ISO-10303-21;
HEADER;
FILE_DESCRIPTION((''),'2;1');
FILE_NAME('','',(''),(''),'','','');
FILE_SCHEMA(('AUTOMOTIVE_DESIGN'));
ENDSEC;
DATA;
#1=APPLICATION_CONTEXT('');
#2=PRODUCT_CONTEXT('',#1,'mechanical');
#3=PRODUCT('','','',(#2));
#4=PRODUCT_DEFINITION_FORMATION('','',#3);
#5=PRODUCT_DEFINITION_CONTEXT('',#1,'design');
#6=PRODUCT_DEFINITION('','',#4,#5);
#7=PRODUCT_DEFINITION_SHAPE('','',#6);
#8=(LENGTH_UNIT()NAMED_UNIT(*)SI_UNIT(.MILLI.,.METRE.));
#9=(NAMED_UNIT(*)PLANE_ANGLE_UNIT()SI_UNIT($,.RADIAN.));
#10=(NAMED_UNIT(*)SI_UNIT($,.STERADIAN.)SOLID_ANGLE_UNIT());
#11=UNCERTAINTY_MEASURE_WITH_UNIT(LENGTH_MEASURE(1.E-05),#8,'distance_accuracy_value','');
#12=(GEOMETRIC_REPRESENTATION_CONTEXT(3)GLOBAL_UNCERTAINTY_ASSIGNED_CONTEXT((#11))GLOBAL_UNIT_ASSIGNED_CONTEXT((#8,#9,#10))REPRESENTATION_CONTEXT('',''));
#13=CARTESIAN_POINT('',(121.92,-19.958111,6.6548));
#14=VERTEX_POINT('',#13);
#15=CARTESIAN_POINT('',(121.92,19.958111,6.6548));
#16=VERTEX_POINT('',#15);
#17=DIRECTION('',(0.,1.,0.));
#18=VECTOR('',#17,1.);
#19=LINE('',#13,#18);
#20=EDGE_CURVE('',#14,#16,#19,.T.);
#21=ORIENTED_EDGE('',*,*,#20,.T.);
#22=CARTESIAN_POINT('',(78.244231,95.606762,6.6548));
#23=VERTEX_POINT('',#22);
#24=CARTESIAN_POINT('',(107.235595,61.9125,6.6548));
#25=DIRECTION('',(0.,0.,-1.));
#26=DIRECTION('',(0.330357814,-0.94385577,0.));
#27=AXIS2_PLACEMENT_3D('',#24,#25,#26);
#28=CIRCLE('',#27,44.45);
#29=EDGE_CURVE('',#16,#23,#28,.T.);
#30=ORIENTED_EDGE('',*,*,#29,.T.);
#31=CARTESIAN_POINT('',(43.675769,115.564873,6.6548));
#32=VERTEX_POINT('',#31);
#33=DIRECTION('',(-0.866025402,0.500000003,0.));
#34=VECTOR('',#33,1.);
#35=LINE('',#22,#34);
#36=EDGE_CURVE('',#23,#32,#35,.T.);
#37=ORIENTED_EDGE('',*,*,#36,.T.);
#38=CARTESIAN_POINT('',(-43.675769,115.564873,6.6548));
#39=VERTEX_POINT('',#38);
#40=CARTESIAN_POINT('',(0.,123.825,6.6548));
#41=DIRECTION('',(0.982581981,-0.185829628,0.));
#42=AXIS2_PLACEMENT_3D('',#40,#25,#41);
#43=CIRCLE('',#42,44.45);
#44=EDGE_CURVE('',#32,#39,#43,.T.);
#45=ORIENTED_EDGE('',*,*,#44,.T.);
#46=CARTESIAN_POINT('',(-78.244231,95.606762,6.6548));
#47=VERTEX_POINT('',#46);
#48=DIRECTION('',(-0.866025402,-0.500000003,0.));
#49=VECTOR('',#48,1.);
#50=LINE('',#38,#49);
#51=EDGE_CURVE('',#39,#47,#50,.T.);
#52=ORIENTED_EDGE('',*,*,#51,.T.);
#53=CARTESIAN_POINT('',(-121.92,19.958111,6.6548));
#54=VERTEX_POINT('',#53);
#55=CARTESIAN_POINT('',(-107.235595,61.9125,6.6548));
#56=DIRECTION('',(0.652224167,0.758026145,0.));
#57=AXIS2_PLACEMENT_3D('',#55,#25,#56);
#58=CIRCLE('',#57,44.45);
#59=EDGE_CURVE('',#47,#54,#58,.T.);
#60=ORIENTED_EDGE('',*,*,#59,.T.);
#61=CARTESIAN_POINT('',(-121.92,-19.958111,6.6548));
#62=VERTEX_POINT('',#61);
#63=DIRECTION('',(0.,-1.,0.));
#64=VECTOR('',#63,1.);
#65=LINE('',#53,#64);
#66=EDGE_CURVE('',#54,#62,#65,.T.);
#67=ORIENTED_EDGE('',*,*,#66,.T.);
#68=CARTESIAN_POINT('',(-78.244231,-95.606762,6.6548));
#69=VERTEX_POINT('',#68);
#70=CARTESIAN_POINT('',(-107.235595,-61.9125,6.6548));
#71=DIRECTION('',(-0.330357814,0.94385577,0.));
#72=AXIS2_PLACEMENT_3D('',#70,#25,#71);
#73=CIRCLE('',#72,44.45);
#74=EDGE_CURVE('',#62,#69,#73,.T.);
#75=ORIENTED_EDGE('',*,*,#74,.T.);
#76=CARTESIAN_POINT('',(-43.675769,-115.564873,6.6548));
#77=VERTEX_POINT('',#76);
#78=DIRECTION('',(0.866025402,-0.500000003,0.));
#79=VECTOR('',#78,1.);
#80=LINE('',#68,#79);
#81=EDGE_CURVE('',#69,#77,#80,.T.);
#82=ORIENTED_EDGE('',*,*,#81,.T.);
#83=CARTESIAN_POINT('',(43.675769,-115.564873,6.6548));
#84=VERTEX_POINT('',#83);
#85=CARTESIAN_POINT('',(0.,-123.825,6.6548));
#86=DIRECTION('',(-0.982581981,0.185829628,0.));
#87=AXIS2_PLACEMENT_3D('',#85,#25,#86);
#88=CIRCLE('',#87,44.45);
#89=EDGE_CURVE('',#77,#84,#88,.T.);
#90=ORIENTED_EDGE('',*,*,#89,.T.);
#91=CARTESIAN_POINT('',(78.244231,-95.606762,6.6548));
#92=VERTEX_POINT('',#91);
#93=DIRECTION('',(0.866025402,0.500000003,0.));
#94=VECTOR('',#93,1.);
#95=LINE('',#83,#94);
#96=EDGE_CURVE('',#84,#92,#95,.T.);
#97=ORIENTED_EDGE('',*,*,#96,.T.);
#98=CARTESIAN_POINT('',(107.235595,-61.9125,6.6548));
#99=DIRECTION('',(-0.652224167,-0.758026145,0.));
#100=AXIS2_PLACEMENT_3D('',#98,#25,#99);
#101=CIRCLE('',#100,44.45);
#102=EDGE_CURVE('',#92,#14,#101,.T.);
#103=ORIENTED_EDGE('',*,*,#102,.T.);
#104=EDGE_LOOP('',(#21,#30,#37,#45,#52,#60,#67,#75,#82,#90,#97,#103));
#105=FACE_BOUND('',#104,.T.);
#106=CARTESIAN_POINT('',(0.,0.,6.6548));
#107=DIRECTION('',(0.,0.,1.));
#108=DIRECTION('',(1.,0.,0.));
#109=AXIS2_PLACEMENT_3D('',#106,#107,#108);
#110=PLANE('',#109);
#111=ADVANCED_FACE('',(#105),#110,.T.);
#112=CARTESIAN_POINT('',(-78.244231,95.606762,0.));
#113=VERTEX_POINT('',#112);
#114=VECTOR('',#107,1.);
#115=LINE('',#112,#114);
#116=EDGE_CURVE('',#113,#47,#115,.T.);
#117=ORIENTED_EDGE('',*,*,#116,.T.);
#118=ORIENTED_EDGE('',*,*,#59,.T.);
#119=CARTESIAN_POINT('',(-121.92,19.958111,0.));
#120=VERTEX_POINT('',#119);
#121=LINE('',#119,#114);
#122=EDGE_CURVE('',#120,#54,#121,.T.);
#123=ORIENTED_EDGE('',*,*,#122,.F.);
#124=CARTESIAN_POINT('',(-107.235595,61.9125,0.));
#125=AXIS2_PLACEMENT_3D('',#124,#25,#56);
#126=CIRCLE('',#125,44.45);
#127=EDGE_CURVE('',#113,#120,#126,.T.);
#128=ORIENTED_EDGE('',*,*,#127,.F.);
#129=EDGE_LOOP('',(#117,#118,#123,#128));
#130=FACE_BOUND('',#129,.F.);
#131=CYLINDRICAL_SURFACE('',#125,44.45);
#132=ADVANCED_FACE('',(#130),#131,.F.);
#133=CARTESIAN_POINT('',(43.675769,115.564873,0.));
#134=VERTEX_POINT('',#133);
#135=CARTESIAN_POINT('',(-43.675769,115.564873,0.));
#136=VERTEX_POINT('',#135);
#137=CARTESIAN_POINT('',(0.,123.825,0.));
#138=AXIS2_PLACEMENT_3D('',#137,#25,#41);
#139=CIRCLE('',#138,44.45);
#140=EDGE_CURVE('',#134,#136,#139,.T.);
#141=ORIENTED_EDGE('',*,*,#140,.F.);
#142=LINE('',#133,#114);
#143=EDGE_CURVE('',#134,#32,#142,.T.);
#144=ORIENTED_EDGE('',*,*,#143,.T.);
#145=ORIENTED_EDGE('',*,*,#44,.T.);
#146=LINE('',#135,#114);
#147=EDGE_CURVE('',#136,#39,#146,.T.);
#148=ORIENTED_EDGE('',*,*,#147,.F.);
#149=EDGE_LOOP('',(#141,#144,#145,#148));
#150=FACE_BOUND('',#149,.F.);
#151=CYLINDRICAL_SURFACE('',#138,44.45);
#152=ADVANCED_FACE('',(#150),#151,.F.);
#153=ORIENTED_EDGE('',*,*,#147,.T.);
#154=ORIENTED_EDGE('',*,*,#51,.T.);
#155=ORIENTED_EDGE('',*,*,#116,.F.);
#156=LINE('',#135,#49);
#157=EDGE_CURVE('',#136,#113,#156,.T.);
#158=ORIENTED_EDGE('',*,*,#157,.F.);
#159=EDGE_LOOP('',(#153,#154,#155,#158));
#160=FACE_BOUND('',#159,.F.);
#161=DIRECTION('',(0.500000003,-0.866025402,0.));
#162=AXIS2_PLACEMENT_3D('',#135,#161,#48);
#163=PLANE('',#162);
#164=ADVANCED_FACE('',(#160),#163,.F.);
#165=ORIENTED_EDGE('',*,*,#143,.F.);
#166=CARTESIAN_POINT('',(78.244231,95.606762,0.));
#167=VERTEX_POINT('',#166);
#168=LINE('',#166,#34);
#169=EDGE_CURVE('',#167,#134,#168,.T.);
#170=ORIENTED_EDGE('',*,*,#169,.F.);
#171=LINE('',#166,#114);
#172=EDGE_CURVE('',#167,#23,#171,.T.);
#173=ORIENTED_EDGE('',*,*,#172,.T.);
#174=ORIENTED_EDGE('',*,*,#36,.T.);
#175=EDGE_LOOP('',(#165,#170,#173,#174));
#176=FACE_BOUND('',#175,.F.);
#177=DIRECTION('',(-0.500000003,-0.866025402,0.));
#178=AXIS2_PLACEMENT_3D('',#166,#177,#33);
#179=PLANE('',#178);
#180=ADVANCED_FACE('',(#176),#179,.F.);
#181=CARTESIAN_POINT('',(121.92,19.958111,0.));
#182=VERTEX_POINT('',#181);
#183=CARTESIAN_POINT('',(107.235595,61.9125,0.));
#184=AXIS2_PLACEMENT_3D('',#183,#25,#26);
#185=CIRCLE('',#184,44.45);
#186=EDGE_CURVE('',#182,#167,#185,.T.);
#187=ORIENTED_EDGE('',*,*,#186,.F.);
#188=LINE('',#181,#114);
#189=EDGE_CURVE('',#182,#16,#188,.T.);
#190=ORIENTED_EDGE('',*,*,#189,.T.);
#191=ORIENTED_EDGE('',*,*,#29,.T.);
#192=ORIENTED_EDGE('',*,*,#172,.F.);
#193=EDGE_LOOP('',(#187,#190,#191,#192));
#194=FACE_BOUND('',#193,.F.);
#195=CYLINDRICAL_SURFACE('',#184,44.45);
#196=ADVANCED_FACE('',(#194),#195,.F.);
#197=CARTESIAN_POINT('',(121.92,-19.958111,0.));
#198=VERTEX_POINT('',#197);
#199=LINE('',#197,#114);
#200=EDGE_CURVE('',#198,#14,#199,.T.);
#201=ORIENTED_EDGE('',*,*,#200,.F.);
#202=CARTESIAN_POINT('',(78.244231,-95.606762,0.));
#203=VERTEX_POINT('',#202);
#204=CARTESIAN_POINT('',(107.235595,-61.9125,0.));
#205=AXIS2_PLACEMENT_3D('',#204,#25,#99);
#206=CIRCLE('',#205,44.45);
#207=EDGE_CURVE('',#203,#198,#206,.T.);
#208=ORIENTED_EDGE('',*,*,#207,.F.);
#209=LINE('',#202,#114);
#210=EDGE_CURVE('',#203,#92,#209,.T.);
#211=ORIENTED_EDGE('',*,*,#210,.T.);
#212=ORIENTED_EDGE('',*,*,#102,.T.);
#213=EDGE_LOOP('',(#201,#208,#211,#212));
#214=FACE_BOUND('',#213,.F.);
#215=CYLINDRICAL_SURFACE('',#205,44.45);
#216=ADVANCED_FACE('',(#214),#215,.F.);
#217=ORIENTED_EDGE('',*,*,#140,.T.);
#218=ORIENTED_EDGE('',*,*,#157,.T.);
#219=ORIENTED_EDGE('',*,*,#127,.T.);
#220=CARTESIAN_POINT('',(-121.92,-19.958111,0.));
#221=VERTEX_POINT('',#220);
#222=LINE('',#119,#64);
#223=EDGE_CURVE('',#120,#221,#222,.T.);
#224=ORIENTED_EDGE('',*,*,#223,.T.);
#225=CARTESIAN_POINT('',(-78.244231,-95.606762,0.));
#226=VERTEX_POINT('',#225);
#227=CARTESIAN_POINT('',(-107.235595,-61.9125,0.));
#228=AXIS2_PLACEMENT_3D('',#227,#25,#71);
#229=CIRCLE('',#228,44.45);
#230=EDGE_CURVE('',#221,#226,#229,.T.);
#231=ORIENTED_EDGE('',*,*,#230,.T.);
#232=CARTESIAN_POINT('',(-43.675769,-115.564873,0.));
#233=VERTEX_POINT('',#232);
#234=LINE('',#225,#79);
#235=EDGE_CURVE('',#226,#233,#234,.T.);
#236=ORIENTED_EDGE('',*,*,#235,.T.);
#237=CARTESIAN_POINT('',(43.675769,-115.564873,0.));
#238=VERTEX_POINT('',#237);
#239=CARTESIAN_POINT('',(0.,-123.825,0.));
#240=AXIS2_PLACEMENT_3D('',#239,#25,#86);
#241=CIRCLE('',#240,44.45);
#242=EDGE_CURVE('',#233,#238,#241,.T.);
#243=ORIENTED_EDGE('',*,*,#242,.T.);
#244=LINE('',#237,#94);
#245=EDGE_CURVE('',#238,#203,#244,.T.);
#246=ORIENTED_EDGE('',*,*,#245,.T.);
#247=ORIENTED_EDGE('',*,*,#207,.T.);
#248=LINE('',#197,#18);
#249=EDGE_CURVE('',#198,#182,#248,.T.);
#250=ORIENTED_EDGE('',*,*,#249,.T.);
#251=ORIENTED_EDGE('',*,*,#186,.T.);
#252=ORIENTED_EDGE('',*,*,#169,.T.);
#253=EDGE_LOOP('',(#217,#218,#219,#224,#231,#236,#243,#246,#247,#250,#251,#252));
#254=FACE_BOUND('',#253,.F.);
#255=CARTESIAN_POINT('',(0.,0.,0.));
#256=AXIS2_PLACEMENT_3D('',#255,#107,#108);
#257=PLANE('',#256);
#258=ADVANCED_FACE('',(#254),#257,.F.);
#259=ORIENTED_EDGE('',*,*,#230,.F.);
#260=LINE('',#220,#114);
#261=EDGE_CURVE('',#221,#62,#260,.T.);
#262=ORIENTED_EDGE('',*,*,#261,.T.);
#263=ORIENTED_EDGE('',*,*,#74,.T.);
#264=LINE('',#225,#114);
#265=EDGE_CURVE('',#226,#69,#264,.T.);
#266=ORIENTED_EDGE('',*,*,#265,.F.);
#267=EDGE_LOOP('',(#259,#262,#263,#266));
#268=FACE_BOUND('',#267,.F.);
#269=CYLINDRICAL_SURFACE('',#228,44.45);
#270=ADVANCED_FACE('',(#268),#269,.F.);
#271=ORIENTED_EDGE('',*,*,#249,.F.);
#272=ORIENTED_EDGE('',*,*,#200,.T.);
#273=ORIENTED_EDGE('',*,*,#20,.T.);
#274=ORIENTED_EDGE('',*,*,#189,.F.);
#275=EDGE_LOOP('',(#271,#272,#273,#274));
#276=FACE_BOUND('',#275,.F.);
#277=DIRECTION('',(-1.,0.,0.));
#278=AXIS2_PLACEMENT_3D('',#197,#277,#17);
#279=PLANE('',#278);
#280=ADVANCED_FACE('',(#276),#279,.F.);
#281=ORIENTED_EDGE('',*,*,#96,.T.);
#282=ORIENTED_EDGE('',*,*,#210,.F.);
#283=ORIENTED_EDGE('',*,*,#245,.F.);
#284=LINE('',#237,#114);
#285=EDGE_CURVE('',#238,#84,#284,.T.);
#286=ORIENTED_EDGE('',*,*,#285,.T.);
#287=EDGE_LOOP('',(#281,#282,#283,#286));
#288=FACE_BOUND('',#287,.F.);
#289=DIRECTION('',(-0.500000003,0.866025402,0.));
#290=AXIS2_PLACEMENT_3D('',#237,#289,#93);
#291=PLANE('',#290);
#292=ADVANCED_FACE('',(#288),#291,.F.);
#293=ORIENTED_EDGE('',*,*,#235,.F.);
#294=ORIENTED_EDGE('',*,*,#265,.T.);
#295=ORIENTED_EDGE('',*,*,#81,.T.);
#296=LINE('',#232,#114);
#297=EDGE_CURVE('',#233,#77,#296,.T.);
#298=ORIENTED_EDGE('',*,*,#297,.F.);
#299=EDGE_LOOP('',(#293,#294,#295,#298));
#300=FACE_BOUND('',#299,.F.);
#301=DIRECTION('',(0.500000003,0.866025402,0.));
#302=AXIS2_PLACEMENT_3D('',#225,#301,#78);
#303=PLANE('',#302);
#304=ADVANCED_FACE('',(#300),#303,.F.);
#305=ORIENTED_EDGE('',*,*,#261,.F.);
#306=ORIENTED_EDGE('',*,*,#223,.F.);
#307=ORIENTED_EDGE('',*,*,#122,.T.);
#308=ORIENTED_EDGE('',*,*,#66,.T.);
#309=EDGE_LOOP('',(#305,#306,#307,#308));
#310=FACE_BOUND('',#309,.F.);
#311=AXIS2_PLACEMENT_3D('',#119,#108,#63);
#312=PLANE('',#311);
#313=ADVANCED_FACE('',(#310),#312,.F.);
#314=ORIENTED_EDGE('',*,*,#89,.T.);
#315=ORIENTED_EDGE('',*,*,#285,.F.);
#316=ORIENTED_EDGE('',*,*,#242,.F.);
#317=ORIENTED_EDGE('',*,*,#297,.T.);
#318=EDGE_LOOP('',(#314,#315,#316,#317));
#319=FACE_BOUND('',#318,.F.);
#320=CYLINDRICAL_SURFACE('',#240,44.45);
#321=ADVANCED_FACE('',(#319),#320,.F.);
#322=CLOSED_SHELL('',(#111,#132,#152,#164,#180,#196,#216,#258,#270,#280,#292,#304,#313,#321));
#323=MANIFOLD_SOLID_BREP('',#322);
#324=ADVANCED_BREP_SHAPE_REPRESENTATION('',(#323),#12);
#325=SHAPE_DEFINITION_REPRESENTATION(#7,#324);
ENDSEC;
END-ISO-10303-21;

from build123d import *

# Parameters (mm, degrees)
F1_DEPTH = 6.6548


with BuildPart() as f1:
    # F0 (on Top) → F1 (new body)
    with BuildSketch(Plane.XY):
        with BuildLine():
            ThreePointArc((43.675769, 115.564873), (0, 79.375), (-43.675769, 115.564873))
            Line((-43.675769, 115.564873), (-78.244231, 95.606762))
            ThreePointArc((-78.244231, 95.606762), (-68.740766, 39.6875), (-121.92, 19.958111))
            Line((-121.92, 19.958111), (-121.92, -19.958111))
            ThreePointArc((-121.92, -19.958111), (-68.740766, -39.6875), (-78.244231, -95.606762))
            Line((-78.244231, -95.606762), (-43.675769, -115.564873))
            ThreePointArc((-43.675769, -115.564873), (0, -79.375), (43.675769, -115.564873))
            Line((43.675769, -115.564873), (78.244231, -95.606762))
            ThreePointArc((78.244231, -95.606762), (68.740766, -39.6875), (121.92, -19.958111))
            Line((121.92, -19.958111), (121.92, 19.958111))
            ThreePointArc((121.92, 19.958111), (68.740766, 39.6875), (78.244231, 95.606762))
            Line((78.244231, 95.606762), (43.675769, 115.564873))
        make_face()
    extrude(amount=F1_DEPTH)


solid = f1.part
